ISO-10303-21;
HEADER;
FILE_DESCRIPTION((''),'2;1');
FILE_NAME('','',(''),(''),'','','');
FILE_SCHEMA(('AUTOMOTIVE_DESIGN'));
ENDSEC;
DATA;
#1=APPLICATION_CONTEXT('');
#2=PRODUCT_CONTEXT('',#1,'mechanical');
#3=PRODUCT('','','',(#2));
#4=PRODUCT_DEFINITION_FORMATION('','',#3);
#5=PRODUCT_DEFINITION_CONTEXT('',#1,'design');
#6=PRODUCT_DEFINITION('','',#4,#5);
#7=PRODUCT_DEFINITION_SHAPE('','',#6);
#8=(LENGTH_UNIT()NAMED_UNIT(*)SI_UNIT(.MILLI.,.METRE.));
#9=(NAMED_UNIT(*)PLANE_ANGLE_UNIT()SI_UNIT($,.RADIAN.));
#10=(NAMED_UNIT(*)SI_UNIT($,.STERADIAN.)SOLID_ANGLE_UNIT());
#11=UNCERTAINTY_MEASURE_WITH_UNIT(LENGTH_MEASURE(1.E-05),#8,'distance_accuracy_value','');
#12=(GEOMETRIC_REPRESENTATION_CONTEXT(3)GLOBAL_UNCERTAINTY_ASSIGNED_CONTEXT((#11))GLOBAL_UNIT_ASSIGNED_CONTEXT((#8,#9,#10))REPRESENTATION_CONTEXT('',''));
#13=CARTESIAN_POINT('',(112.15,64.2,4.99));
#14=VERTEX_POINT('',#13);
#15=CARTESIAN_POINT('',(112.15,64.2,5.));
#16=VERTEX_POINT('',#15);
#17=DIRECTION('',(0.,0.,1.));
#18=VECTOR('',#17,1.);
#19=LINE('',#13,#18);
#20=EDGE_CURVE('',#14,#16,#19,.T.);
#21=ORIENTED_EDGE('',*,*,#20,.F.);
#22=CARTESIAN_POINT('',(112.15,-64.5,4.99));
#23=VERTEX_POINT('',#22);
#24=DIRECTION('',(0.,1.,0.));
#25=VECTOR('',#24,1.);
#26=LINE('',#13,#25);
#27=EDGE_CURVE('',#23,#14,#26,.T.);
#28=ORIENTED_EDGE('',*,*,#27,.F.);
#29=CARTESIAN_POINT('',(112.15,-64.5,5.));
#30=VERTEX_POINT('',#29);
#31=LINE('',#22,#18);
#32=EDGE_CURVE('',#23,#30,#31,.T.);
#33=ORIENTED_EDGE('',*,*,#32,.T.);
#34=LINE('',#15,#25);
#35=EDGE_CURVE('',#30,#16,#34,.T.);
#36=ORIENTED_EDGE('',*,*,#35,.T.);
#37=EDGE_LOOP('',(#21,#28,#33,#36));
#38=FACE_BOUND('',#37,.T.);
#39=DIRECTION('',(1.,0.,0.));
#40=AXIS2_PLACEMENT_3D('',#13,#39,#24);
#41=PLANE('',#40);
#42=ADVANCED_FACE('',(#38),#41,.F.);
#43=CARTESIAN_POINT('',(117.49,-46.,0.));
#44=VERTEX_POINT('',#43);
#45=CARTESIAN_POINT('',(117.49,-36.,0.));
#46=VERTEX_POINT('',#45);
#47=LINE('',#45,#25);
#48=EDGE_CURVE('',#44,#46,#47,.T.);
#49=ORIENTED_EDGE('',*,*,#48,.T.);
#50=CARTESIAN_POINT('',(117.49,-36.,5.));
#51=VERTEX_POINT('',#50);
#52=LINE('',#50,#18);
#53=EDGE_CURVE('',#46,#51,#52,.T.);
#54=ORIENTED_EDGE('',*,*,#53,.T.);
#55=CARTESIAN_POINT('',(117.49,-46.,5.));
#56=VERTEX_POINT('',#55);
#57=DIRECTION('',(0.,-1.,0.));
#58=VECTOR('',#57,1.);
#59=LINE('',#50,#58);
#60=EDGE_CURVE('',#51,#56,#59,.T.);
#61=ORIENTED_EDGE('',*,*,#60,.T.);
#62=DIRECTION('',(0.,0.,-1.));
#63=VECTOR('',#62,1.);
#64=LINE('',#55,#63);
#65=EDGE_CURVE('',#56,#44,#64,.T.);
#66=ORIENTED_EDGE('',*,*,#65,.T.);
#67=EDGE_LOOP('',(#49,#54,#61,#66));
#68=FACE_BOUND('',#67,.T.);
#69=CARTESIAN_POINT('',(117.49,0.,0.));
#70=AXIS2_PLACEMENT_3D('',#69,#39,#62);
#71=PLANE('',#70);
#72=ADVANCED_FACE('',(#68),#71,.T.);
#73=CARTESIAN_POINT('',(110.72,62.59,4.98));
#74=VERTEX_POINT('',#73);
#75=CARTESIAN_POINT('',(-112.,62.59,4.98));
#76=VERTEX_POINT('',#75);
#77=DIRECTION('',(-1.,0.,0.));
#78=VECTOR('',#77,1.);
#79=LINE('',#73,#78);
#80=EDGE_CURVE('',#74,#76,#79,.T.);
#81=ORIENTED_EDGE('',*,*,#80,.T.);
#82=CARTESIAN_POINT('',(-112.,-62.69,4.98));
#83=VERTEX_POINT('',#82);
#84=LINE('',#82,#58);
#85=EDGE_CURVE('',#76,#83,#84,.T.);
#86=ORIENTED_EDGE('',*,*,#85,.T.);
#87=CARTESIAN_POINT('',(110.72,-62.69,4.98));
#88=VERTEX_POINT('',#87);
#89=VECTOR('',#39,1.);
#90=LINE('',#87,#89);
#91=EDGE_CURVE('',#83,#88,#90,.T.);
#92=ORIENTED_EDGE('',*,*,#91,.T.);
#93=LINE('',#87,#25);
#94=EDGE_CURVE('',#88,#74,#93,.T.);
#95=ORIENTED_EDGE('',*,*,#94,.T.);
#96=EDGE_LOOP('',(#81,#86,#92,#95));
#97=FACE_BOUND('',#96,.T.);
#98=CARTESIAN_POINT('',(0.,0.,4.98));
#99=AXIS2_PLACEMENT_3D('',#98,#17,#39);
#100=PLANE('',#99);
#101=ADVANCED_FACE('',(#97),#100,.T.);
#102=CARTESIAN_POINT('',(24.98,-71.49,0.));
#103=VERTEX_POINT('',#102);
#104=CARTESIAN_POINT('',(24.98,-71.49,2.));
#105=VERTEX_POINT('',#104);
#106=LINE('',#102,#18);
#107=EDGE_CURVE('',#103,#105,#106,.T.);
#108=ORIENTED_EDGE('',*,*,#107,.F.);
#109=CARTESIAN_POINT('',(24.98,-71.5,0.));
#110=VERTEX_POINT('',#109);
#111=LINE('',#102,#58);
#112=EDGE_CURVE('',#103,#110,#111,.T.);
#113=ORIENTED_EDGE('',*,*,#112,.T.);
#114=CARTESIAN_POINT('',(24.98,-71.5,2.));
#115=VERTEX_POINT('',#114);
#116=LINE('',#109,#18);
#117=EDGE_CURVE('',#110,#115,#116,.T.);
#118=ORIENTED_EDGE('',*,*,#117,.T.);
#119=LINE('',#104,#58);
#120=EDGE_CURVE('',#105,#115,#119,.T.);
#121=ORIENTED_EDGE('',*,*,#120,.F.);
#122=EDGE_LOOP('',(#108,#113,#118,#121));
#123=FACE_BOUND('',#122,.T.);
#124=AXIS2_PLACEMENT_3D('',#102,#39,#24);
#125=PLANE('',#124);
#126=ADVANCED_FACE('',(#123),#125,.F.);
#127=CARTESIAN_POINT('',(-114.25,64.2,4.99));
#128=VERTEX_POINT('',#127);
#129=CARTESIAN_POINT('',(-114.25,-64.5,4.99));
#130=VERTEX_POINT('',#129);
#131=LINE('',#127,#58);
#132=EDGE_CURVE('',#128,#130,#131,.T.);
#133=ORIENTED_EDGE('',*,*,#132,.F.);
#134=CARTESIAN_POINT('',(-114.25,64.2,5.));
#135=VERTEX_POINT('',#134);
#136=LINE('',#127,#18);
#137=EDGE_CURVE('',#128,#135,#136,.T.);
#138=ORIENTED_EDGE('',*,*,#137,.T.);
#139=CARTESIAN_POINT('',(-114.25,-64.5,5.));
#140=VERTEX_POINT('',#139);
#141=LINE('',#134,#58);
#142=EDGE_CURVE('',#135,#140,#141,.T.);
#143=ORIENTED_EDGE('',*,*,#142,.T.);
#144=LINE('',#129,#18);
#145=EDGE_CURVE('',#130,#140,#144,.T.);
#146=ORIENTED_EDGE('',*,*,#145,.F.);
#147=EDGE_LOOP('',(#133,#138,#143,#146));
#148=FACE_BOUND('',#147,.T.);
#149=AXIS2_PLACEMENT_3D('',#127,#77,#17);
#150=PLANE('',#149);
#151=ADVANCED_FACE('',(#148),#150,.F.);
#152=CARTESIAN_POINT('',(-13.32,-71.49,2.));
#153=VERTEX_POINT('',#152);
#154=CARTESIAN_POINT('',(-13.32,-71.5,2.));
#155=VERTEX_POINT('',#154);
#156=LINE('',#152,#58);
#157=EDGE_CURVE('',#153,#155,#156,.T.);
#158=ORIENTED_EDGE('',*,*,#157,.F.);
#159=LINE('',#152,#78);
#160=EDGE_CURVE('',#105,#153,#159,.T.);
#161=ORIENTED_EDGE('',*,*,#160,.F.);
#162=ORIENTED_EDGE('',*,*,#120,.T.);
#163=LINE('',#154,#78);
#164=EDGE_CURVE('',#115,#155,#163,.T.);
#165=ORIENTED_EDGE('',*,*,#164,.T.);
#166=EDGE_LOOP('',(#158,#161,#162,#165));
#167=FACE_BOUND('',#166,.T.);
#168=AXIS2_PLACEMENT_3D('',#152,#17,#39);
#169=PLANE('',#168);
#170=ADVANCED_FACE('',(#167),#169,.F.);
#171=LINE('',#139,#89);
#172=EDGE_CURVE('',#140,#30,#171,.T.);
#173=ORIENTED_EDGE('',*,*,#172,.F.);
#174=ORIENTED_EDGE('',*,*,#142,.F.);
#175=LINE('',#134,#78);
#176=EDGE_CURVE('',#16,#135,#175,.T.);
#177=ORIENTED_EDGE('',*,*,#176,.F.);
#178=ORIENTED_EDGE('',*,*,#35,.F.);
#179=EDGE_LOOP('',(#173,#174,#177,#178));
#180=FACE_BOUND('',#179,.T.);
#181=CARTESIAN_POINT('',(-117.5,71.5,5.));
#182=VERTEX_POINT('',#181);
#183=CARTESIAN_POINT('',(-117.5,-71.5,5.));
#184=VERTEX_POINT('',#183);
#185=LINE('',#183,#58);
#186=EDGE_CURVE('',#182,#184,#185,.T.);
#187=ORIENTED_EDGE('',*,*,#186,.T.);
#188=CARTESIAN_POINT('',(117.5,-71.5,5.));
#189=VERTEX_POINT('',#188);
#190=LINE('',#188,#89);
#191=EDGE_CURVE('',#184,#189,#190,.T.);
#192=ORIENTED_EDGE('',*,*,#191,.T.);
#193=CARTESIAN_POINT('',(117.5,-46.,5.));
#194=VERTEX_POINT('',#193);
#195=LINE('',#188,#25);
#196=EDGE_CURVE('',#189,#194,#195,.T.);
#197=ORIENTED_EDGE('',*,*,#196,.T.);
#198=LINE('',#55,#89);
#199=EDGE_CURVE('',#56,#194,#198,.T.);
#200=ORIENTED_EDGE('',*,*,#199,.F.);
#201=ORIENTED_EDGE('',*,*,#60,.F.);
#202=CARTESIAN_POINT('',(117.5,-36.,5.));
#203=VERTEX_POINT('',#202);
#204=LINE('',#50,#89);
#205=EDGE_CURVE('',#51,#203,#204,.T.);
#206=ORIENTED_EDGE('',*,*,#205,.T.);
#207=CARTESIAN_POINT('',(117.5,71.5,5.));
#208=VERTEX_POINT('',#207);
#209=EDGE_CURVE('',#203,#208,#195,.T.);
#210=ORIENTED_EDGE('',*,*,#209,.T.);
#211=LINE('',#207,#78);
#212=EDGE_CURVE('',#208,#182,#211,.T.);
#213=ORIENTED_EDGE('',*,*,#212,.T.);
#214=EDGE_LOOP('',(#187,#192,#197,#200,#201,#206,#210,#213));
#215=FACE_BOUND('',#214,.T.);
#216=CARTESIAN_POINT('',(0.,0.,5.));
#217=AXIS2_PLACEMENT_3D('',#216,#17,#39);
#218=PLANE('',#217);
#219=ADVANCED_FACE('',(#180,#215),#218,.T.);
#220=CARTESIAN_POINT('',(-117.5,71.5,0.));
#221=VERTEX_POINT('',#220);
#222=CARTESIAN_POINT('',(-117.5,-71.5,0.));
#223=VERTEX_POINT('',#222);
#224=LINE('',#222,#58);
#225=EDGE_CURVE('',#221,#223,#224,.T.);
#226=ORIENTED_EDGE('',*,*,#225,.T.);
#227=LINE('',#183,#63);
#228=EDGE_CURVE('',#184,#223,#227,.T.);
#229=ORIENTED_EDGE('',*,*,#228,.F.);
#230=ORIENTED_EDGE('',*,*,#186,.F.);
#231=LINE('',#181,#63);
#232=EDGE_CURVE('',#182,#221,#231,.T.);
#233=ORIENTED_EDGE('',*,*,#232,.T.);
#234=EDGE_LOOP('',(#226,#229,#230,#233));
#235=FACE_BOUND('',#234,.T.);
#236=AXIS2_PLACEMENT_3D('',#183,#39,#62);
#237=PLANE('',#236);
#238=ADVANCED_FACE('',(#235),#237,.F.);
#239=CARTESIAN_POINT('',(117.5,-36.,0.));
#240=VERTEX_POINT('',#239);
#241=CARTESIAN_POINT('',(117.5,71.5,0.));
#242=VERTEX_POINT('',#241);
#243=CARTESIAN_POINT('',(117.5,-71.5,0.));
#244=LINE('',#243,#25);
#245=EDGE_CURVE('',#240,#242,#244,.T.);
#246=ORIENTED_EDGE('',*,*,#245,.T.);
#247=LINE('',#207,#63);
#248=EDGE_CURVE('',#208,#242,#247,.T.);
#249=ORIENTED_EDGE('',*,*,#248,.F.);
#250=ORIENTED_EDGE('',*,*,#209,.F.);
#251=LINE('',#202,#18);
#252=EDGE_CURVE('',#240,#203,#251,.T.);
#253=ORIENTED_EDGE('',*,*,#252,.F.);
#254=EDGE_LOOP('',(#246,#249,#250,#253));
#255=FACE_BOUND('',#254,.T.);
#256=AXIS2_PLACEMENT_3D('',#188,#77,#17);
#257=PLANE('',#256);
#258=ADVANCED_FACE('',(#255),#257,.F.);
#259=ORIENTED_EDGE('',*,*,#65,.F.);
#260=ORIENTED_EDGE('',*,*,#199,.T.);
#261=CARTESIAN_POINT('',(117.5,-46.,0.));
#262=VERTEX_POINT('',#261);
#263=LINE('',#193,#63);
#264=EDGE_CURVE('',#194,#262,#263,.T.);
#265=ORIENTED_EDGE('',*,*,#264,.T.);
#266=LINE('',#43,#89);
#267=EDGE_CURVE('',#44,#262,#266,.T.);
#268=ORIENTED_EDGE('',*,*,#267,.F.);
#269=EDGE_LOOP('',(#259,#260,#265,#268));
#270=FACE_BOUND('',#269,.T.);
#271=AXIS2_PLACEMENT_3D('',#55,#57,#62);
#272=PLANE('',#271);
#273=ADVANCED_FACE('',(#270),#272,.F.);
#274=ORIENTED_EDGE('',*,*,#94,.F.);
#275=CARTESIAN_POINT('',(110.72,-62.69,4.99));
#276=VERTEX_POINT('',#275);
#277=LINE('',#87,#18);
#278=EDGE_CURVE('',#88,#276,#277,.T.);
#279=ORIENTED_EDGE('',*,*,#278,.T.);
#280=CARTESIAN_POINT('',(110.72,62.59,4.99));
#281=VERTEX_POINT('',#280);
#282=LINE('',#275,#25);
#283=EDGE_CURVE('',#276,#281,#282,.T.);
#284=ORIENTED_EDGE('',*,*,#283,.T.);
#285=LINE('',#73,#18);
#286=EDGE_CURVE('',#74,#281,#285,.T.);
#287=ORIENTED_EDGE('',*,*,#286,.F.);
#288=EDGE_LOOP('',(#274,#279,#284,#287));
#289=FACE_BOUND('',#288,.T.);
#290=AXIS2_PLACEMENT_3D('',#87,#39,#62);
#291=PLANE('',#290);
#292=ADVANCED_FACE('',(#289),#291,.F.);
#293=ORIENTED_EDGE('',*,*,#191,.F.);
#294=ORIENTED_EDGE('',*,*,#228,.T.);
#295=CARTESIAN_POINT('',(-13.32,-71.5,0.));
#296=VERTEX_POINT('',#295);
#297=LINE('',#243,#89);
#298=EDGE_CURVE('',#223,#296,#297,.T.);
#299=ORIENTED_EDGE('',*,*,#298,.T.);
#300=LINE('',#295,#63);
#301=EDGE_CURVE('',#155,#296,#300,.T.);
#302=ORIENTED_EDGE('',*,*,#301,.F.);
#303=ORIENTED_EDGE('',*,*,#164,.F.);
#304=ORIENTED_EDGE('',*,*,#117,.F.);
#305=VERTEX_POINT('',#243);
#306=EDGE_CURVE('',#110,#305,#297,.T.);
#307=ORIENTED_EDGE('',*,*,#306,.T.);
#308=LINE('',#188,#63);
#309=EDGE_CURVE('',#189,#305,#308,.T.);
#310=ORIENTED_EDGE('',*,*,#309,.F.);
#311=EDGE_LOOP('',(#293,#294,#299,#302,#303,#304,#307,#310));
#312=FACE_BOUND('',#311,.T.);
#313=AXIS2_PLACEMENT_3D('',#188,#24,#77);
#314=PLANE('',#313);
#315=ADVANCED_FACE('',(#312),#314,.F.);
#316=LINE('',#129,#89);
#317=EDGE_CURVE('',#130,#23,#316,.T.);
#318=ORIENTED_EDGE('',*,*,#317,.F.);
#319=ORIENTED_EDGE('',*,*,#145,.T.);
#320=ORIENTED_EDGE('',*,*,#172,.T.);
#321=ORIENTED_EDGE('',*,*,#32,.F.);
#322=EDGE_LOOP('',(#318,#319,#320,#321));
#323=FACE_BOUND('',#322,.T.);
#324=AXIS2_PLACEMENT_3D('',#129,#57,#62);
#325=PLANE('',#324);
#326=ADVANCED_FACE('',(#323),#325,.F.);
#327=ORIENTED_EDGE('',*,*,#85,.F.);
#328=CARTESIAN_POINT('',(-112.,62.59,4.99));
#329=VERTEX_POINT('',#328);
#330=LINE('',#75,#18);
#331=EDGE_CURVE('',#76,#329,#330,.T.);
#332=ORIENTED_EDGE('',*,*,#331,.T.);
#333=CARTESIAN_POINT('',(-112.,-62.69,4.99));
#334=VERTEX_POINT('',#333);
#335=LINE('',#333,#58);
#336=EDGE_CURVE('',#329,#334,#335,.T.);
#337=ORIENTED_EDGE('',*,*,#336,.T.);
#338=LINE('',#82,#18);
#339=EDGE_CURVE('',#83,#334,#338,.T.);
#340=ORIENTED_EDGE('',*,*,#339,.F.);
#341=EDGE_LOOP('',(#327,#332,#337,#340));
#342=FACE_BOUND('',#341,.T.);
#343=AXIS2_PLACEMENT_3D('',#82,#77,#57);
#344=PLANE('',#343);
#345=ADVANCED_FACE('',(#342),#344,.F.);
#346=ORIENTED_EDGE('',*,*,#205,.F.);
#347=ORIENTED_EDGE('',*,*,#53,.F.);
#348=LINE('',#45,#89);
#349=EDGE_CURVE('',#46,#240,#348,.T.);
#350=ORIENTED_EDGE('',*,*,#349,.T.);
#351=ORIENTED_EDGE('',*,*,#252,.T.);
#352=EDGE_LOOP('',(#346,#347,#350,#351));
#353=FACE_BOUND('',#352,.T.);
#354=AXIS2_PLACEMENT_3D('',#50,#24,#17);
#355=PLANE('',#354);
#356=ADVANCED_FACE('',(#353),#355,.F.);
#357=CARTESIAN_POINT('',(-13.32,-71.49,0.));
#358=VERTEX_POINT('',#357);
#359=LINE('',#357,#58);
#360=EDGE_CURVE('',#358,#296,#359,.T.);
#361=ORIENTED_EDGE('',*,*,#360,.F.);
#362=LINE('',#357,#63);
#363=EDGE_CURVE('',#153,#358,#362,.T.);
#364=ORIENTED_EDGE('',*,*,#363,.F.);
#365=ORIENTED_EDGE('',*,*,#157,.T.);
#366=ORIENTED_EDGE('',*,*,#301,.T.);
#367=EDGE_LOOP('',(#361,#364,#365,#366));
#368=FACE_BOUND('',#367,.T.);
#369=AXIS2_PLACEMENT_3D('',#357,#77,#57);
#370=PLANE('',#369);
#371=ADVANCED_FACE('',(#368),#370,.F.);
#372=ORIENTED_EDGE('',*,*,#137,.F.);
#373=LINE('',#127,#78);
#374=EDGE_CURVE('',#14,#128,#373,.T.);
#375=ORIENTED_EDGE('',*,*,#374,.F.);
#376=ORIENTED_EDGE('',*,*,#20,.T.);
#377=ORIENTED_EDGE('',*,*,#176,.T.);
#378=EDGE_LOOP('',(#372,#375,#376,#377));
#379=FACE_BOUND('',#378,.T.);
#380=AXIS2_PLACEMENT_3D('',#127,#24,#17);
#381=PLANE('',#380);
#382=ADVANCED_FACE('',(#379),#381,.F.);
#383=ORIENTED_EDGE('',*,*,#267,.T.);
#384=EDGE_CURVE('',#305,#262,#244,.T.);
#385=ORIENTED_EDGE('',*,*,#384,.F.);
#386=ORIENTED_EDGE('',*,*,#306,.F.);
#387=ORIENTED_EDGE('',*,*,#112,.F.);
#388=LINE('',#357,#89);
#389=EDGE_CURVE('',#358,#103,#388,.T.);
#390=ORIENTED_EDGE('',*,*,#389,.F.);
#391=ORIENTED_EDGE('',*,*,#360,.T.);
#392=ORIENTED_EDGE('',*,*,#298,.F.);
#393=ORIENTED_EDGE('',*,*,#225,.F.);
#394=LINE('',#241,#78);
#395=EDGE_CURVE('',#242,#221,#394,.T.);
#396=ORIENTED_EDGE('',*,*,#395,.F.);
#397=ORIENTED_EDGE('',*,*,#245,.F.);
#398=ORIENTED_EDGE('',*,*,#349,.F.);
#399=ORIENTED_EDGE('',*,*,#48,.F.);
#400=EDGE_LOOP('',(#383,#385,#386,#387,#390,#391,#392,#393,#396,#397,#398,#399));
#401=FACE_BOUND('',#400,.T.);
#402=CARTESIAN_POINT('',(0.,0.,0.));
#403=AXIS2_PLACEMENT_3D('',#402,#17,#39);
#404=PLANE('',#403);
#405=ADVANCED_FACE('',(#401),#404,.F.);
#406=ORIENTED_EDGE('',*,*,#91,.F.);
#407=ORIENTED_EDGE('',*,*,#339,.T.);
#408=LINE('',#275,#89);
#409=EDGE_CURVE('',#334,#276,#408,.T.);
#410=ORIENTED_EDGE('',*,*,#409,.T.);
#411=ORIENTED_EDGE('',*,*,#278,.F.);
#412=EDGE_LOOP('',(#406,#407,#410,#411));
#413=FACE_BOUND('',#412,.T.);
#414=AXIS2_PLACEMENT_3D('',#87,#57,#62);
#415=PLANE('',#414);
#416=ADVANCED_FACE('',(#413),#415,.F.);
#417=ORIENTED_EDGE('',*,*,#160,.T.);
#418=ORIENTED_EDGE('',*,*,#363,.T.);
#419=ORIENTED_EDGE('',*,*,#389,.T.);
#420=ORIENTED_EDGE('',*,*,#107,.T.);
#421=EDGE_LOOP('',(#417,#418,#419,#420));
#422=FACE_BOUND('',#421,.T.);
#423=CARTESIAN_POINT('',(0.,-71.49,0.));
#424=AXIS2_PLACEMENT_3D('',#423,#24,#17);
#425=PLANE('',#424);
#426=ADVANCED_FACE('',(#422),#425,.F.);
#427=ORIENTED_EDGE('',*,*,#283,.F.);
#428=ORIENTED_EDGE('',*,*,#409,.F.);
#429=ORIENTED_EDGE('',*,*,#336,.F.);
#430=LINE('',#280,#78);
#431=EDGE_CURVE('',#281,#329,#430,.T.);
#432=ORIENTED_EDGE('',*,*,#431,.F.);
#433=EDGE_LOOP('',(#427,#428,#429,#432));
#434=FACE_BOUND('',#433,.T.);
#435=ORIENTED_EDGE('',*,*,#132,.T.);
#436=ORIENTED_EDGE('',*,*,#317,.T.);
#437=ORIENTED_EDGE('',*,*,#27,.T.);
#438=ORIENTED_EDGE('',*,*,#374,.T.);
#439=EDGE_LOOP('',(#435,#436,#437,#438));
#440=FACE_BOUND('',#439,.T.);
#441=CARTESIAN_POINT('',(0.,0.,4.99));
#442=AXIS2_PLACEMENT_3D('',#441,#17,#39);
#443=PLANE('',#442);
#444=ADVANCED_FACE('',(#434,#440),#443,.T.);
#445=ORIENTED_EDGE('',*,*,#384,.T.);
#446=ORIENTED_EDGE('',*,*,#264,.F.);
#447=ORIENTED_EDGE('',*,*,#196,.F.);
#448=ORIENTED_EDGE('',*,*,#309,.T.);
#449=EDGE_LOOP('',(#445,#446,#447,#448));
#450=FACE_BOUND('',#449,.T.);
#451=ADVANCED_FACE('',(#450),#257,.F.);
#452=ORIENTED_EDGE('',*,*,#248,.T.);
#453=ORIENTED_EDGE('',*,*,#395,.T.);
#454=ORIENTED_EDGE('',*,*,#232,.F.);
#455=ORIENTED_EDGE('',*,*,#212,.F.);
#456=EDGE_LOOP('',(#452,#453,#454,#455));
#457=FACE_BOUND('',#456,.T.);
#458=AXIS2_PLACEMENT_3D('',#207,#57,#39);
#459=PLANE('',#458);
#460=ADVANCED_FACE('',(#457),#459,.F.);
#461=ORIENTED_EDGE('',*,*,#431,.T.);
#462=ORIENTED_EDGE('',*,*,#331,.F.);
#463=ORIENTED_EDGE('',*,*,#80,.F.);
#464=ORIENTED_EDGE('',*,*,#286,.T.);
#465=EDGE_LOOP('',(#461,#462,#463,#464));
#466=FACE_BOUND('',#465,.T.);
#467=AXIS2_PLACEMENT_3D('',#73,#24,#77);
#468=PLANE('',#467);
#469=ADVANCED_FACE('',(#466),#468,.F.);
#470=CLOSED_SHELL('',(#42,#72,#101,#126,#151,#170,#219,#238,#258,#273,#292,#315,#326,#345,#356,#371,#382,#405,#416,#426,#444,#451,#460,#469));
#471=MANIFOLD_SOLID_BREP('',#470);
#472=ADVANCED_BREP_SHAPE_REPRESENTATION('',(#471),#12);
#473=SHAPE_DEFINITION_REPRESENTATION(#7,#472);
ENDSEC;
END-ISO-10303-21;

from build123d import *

# Parameters (mm, degrees)
SKETCH1_W           = 235
SKETCH1_H           = 143
BOSS_EXTRUDE1_DEPTH = 5
SKETCH2_W           = 226.4
SKETCH2_H           = 128.7
CUT_EXTRUDE1_DEPTH  = 0.01
SKETCH3_W           = 222.72
SKETCH3_H           = 125.28
CUT_EXTRUDE2_DEPTH  = 0.01
SKETCH4_W           = 5
SKETCH4_H           = 10
CUT_EXTRUDE3_DEPTH  = 0.01
SKETCH5_W           = 38.3
SKETCH5_H           = 2
CUT_EXTRUDE4_DEPTH  = 0.01


with BuildPart() as part:
    # Sketch1 → Boss-Extrude1 (new body)
    with BuildSketch(Plane.XY):
        Rectangle(SKETCH1_W, SKETCH1_H)
    extrude(amount=BOSS_EXTRUDE1_DEPTH)

    # Sketch2 → Cut-Extrude1 (cut)
    with BuildSketch(Plane.XY.offset(5)):
        with Locations((-1.05, -0.15)):
            Rectangle(SKETCH2_W, SKETCH2_H)
    extrude(amount=-CUT_EXTRUDE1_DEPTH, mode=Mode.SUBTRACT)

    # Sketch3 → Cut-Extrude2 (cut)
    with BuildSketch(Plane.XY.offset(4.99)):
        with Locations((-0.64, -0.05)):
            Rectangle(SKETCH3_W, SKETCH3_H)
    extrude(amount=-CUT_EXTRUDE2_DEPTH, mode=Mode.SUBTRACT)

    # Sketch4 → Cut-Extrude3 (cut)
    with BuildSketch(Plane(origin=(117.5, 0, 0), x_dir=(0, 0, -1), z_dir=(1, 0, 0))):
        with Locations((-2.5, -41)):
            Rectangle(SKETCH4_W, SKETCH4_H)
    extrude(amount=-CUT_EXTRUDE3_DEPTH, mode=Mode.SUBTRACT)

    # Sketch5 → Cut-Extrude4 (cut)
    with BuildSketch(Plane(origin=(0, -71.5, 0), x_dir=(-1, 0, 0), z_dir=(0, -1, 0))):
        with Locations((-5.83, -1)):
            Rectangle(SKETCH5_W, SKETCH5_H)
    extrude(amount=-CUT_EXTRUDE4_DEPTH, mode=Mode.SUBTRACT)


solid = part.part
